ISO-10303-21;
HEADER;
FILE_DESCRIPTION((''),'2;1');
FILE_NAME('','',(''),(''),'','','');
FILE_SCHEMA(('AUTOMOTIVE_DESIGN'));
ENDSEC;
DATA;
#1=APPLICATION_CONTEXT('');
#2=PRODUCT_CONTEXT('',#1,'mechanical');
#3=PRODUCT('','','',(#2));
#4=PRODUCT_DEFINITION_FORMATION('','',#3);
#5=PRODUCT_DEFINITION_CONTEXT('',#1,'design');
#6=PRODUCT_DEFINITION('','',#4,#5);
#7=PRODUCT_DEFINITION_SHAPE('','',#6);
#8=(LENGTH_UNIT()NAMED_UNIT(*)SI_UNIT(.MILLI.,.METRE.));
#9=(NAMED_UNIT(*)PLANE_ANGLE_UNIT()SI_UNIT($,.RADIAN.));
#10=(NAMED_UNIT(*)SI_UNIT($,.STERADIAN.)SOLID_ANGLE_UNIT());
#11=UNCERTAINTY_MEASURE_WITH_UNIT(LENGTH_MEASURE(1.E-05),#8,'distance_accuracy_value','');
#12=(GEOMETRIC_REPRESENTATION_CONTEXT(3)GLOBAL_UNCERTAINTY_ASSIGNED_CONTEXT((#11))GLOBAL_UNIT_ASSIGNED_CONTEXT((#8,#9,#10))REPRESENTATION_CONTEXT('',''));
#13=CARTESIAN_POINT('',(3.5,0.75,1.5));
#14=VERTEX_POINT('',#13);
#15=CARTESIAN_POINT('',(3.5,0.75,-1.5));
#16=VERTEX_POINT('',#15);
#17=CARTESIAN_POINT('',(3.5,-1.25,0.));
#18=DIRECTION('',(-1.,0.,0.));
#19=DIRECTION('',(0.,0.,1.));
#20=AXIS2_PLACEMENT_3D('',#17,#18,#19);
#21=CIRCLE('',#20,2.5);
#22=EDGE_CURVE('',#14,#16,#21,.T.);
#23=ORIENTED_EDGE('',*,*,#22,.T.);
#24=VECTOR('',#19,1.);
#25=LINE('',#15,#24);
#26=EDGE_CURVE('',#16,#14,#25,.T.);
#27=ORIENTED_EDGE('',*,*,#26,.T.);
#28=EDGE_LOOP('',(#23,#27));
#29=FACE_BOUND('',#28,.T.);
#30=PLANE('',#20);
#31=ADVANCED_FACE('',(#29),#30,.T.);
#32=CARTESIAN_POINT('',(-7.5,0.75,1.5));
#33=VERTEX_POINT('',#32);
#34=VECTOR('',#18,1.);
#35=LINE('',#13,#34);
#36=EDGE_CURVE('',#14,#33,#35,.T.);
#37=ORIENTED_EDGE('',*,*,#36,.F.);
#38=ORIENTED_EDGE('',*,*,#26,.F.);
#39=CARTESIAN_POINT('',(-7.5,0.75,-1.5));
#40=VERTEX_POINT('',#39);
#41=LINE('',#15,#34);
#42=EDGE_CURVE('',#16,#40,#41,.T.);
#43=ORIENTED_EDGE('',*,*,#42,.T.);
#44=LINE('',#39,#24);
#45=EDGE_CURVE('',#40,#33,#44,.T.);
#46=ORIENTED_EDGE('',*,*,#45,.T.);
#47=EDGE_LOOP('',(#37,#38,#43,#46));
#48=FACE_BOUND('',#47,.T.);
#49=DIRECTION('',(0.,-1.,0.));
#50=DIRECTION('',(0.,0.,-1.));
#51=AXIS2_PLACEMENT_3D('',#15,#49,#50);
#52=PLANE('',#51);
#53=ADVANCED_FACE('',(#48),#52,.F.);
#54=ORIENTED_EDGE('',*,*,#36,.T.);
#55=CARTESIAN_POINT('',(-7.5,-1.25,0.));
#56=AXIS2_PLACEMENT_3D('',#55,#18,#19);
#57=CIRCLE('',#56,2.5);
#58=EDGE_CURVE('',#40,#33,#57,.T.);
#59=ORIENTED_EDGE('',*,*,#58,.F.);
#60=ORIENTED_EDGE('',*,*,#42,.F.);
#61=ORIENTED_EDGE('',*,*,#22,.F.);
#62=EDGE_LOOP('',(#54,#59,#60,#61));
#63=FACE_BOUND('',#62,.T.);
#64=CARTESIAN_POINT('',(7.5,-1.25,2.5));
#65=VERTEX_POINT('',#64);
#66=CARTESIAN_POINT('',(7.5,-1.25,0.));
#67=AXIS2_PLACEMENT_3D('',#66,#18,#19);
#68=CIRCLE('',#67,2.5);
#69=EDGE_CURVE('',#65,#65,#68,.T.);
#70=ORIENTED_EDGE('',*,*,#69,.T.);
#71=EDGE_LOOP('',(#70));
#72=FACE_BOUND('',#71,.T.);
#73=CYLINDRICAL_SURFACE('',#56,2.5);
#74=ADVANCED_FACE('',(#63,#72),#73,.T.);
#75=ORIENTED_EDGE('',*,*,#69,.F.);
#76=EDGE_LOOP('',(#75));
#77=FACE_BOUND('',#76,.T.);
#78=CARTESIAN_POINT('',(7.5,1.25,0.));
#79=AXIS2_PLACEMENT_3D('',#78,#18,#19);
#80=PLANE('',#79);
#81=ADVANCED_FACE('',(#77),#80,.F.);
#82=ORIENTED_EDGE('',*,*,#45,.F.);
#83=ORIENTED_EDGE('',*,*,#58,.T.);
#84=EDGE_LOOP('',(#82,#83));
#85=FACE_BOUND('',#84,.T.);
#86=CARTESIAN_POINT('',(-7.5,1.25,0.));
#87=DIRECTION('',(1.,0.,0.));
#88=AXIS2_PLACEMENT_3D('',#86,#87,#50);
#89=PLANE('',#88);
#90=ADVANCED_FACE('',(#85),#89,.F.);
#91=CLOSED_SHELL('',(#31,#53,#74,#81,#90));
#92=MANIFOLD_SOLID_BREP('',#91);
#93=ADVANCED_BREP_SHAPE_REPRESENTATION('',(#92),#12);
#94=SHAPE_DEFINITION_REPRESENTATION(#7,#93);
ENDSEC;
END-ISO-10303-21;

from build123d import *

# Parameters (mm, degrees)
SKETCH1_W          = 15
SKETCH1_H          = 2.5
CUT_EXTRUDE1_START = -11
CUT_EXTRUDE1_DEPTH = 11


with BuildPart() as part:
    # Sketch1 → Revolve1 (revolve)
    with BuildSketch(Plane.XY, mode=Mode.PRIVATE) as revolve1_sk:
        Rectangle(SKETCH1_W, SKETCH1_H)
    revolve(revolve1_sk.sketch.rotate(Axis((-7.5, -1.25, 0), (1, 0, 0)), 90), axis=Axis((-7.5, -1.25, 0), (1, 0, 0)))

    # Sketch2 → Cut-Extrude1 (cut)
    with BuildSketch(Plane.ZY.offset(7.5).offset(CUT_EXTRUDE1_START)):
        with BuildLine():
            Line((-1.5, 0.75), (1.5, 0.75))
            ThreePointArc((1.5, 0.75), (0, 1.25), (-1.5, 0.75))
        make_face()
    extrude(amount=CUT_EXTRUDE1_DEPTH, mode=Mode.SUBTRACT)


solid = part.part
